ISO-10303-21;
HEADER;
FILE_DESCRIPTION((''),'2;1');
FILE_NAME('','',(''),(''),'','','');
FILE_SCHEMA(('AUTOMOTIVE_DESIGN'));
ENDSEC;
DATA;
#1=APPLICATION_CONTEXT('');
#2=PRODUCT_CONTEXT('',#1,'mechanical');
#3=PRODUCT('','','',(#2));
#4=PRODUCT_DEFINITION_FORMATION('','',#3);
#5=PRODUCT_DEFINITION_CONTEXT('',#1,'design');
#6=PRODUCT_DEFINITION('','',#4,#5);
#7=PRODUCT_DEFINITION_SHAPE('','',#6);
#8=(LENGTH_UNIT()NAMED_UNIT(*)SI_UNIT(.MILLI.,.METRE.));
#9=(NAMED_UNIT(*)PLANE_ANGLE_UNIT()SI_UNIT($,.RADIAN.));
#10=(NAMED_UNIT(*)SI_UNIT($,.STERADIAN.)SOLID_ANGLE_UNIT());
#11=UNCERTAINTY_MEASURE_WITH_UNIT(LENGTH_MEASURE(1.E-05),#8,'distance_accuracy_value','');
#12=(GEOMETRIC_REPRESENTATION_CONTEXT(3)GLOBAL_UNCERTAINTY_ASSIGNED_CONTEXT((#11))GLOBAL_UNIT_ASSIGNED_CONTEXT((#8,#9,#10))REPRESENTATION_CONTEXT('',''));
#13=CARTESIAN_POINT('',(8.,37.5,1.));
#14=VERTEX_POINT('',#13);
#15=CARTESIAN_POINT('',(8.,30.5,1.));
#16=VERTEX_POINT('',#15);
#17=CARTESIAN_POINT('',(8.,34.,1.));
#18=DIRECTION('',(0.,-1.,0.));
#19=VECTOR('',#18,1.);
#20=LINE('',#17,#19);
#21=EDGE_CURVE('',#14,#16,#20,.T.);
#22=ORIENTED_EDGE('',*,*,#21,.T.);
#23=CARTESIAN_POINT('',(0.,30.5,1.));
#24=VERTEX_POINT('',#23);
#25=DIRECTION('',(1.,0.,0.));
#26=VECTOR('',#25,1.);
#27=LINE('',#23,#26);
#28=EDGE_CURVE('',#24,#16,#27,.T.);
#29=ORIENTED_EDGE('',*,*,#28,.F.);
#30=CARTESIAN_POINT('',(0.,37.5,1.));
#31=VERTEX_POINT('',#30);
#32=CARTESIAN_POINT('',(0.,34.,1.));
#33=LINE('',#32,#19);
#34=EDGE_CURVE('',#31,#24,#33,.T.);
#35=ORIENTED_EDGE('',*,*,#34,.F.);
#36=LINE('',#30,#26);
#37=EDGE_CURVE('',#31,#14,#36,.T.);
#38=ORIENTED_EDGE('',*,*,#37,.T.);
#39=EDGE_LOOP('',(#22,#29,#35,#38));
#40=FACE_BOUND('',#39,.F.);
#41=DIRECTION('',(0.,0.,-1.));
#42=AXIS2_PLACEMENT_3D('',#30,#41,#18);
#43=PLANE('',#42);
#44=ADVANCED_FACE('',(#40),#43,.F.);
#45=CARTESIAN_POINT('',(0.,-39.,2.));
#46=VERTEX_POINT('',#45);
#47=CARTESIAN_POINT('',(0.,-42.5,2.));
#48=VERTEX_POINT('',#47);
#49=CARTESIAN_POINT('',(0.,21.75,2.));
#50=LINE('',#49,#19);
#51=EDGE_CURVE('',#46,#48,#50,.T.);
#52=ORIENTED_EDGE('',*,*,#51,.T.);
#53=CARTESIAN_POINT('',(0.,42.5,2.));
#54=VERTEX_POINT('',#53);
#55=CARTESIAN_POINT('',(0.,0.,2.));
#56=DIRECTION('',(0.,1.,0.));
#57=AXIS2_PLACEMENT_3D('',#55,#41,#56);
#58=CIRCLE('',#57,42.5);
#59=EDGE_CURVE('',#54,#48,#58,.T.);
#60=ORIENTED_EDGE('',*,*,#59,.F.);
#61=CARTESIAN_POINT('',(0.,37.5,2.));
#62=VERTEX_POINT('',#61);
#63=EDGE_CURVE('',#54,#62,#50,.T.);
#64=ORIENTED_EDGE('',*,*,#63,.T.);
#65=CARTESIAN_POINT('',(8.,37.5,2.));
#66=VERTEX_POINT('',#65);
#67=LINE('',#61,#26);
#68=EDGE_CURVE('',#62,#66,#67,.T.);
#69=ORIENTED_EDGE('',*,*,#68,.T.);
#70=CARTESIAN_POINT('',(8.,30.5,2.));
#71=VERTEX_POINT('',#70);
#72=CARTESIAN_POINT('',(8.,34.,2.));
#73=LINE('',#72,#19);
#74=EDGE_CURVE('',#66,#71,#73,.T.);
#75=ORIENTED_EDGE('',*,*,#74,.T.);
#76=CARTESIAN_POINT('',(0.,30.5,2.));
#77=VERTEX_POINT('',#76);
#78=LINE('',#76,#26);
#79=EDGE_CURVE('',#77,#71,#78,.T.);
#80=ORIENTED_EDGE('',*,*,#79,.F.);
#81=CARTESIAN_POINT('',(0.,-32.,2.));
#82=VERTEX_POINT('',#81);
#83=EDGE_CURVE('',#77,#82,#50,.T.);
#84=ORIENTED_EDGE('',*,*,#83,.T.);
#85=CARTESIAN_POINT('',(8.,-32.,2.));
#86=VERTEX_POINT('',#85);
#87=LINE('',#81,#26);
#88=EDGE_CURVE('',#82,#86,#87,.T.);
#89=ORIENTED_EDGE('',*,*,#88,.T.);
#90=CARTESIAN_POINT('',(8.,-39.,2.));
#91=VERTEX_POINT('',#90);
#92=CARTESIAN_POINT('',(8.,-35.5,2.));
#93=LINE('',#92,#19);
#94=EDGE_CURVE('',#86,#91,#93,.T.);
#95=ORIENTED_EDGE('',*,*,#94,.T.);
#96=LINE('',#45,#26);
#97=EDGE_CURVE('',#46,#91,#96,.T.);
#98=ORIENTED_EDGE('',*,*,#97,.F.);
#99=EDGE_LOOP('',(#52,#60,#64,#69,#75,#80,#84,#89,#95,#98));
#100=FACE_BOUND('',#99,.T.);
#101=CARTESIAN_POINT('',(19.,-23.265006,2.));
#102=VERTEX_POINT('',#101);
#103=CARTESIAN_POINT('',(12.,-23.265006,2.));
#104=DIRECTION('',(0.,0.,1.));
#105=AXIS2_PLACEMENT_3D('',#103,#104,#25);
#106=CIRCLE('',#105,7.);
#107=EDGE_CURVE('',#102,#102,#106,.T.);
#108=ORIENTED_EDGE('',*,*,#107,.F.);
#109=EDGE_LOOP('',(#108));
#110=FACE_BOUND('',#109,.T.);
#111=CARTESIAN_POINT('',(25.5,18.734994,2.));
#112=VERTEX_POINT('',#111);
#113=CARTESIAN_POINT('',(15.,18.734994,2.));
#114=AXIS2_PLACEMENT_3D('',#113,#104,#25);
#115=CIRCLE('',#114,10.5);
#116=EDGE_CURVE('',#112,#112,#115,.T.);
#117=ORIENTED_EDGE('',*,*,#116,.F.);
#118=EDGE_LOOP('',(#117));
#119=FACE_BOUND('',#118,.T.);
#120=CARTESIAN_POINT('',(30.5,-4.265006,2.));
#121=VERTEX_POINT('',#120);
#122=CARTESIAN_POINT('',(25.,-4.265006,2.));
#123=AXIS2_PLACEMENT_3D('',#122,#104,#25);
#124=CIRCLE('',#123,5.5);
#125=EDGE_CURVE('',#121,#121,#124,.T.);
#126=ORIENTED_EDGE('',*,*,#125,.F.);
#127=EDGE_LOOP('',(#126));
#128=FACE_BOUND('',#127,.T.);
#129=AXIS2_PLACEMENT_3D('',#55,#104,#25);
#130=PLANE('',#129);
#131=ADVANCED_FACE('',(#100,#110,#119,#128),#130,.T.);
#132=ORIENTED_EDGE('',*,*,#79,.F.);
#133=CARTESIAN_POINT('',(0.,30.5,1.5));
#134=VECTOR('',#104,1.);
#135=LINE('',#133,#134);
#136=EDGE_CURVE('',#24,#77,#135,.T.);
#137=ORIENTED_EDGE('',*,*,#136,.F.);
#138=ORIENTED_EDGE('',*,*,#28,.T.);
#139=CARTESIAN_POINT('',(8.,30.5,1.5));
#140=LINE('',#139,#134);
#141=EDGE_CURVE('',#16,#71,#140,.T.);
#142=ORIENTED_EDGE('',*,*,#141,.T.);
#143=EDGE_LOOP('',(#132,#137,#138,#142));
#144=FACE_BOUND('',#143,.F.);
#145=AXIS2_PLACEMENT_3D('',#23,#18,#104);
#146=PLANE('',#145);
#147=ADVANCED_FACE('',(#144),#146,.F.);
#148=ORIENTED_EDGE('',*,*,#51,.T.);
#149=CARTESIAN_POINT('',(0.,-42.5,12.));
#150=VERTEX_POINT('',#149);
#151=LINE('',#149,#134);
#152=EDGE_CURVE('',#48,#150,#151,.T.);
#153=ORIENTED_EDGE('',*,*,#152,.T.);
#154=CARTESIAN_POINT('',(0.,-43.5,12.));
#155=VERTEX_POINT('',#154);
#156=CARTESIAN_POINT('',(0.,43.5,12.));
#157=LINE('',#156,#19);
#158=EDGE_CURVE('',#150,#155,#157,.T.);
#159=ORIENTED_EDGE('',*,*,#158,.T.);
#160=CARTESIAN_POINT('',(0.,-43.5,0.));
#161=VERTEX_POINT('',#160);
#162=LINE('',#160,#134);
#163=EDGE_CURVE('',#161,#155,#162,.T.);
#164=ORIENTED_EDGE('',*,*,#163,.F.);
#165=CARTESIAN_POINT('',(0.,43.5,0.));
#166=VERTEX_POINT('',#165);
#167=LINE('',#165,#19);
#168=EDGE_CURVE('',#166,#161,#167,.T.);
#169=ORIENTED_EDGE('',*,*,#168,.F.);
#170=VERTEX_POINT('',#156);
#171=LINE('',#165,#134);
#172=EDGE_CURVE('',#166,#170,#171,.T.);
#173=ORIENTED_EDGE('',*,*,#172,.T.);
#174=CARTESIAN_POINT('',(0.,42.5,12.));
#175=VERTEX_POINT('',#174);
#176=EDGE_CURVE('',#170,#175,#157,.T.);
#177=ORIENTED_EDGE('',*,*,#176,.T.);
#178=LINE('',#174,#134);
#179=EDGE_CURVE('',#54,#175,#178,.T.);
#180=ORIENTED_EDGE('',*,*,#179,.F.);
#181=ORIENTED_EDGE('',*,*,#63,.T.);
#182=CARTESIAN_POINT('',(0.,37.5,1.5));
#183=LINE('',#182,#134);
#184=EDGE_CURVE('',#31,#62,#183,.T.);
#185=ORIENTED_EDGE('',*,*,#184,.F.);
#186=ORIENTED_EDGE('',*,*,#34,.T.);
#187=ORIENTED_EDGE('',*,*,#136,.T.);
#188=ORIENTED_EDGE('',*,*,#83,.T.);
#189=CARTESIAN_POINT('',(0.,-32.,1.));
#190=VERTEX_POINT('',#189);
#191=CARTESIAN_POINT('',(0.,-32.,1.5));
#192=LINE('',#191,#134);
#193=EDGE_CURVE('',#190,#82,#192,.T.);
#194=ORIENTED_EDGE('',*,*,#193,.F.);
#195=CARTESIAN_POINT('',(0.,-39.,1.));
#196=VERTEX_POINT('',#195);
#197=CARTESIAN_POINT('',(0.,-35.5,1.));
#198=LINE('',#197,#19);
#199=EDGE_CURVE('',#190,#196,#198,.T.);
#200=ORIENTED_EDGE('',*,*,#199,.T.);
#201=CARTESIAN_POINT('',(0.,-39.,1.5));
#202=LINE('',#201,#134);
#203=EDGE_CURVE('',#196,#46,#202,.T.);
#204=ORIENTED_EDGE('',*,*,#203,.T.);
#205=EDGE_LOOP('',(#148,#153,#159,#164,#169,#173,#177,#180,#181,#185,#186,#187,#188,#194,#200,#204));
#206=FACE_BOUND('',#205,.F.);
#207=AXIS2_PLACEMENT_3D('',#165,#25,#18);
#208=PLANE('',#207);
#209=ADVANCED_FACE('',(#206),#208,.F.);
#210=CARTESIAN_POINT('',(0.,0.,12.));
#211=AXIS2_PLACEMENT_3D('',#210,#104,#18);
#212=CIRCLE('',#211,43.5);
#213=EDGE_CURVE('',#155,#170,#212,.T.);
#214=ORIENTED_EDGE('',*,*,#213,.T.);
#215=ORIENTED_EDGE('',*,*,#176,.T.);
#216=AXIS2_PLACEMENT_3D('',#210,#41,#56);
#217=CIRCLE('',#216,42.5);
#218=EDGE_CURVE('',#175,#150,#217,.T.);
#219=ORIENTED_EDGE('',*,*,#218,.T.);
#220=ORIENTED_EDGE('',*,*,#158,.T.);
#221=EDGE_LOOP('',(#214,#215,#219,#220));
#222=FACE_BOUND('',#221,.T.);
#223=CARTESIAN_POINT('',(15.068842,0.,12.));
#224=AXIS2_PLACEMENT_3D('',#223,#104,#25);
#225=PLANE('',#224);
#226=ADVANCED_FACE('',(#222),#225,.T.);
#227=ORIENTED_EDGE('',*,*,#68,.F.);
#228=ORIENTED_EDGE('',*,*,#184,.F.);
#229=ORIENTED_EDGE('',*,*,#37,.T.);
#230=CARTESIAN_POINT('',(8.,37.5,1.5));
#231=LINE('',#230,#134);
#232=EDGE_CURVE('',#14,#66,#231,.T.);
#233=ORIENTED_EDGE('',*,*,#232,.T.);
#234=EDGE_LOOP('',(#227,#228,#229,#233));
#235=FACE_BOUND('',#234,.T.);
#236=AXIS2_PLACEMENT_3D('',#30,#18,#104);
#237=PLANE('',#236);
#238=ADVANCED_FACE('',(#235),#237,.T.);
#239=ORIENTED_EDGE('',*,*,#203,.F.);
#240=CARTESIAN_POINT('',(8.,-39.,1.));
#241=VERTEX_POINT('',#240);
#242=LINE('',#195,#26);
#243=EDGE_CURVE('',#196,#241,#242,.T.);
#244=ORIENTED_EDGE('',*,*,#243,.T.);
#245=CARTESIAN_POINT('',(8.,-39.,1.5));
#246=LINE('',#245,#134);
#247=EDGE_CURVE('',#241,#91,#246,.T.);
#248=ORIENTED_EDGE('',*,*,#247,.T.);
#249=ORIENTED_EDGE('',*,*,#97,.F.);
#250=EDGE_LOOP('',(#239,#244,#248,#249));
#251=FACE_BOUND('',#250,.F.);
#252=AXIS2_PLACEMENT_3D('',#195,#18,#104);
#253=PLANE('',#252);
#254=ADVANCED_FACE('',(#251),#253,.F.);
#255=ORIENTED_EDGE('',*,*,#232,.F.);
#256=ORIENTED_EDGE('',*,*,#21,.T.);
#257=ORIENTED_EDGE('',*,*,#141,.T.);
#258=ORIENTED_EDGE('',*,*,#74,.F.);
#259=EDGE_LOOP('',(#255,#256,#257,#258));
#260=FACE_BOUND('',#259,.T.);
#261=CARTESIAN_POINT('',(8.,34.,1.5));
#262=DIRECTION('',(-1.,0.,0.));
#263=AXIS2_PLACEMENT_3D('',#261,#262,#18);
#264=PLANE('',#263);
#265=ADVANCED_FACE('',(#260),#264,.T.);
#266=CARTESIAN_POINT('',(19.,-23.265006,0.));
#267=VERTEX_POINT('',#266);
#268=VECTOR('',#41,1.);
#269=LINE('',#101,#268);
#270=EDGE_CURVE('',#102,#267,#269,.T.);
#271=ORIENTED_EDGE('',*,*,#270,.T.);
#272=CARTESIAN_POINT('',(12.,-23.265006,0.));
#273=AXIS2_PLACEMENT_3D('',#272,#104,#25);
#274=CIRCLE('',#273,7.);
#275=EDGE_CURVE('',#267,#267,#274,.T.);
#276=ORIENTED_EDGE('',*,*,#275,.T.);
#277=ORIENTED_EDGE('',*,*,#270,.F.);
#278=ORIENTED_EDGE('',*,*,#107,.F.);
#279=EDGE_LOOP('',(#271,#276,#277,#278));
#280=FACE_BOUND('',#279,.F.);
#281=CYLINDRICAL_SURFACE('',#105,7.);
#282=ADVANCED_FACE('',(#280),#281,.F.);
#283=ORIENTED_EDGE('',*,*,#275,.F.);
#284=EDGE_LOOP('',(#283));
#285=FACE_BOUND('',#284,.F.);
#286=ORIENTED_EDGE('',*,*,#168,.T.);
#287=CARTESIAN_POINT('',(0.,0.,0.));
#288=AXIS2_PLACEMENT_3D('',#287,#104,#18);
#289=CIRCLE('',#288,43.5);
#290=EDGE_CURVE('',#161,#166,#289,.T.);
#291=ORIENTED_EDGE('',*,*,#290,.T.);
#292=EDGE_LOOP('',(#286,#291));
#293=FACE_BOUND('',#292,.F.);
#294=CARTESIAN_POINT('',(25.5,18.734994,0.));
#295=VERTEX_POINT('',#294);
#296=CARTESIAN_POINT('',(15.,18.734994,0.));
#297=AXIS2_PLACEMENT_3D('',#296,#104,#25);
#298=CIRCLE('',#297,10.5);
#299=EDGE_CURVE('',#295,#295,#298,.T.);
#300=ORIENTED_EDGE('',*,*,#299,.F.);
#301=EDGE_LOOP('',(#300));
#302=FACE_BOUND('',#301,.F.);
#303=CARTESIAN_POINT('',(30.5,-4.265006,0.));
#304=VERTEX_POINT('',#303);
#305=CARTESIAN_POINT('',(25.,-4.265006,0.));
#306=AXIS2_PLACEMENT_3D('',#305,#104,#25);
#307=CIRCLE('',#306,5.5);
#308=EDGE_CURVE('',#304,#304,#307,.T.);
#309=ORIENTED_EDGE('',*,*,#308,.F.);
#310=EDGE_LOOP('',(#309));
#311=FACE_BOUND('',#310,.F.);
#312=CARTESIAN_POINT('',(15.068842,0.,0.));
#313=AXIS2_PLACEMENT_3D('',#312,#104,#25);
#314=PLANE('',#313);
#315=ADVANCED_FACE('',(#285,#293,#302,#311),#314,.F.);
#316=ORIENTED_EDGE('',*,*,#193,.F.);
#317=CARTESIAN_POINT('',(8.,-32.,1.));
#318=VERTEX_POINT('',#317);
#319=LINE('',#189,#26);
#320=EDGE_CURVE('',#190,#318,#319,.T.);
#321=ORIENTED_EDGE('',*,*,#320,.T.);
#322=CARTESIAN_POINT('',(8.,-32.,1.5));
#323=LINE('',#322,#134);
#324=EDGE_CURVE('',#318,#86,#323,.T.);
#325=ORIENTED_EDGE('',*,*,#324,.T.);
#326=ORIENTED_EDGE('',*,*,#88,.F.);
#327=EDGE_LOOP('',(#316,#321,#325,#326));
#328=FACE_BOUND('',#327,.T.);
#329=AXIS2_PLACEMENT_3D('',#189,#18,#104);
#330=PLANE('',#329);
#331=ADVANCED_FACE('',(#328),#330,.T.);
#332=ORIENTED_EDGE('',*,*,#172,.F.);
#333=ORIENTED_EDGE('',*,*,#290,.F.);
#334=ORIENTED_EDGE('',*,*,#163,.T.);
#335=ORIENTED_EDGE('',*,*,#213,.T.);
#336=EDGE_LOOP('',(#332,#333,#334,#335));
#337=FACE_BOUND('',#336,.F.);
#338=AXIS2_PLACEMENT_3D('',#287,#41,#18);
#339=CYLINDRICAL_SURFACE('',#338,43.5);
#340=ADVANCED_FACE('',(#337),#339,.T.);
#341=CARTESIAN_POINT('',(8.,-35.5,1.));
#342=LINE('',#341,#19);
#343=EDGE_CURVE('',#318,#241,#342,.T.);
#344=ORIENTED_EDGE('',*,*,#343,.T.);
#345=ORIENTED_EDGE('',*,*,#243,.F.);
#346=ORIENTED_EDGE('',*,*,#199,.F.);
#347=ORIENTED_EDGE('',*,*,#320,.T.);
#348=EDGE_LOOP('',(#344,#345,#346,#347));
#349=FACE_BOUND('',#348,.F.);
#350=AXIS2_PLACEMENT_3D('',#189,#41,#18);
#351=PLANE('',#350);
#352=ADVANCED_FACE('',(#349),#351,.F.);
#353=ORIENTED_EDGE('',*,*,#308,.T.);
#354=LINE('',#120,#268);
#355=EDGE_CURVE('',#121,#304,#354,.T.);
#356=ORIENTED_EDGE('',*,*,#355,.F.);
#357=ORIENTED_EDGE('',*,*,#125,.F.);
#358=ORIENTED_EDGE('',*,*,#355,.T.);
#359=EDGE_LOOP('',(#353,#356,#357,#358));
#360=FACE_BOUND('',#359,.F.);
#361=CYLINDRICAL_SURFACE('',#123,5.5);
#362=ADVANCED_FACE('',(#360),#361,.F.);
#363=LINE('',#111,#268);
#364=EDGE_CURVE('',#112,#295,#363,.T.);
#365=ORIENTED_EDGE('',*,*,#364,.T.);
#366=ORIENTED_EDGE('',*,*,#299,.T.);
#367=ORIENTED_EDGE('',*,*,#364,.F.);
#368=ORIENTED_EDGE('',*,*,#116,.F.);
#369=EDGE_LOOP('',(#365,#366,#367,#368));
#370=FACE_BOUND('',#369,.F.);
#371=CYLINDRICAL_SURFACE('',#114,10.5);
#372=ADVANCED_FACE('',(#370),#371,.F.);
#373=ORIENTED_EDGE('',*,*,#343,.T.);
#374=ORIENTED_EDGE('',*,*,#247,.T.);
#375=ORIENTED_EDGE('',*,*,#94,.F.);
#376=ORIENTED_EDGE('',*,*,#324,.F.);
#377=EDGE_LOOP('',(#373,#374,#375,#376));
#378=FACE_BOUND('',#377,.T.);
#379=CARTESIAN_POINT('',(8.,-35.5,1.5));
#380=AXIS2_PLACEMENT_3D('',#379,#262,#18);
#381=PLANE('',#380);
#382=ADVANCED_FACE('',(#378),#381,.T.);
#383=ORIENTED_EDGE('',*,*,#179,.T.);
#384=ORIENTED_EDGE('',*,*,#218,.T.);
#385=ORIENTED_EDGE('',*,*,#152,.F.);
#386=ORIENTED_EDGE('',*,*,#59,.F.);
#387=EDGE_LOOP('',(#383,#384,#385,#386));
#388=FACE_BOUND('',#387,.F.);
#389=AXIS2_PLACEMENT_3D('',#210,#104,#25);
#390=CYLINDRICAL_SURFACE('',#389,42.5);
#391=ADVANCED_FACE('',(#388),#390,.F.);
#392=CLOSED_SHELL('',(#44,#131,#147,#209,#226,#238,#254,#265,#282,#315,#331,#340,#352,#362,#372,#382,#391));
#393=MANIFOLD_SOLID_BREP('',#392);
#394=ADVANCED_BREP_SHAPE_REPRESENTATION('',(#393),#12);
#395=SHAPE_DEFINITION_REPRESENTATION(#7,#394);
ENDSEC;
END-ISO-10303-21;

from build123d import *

# Parameters (mm, degrees)
F1_DEPTH = 12
F2_R     = 42.5
F3_DEPTH = 10
F4_R     = 10.5
F4_R_2   = 5.5
F4_R_3   = 7
F5_DEPTH = 2.001
F6_W     = 7
F6_H     = 1
F7_DEPTH = 8


with BuildPart() as f1:
    # F0 (on Top) → F1 (new body)
    with BuildSketch(Plane.XY):
        with BuildLine():
            Line((0, 43.5), (0, -43.5))
            ThreePointArc((0, -43.5), (43.5, 0), (0, 43.5))
        make_face()
    extrude(amount=F1_DEPTH)

    # F2 (on face) → F3 (cut)
    with BuildSketch(Plane.XY.offset(12)):
        Circle(F2_R)
    extrude(amount=-F3_DEPTH, mode=Mode.SUBTRACT)

    # F4 (on face) → F5 (cut, through all)
    with BuildSketch(Plane.XY.offset(2)):
        with Locations((-15, 18.734994)):
            Circle(F4_R)
        with Locations((-25, -4.265006)):
            Circle(F4_R_2)
        with Locations((-12, -23.265006)):
            Circle(F4_R_3)
        with Locations((15, 18.734994)):
            Circle(F4_R)
        with Locations((25, -4.265006)):
            Circle(F4_R_2)
        with Locations((12, -23.265006)):
            Circle(F4_R_3)
    extrude(amount=-F5_DEPTH, mode=Mode.SUBTRACT)

    # F6 (on face) → F7 (cut)
    with BuildSketch(Plane(origin=(0, 0, 0), x_dir=(0, -1, 0), z_dir=(-1, 0, 0))):
        with Locations((-34, 1.5)):
            Rectangle(F6_W, F6_H)
        with Locations((35.5, 1.5)):
            Rectangle(F6_W, F6_H)
    extrude(amount=-F7_DEPTH, mode=Mode.SUBTRACT)


solid = f1.part
